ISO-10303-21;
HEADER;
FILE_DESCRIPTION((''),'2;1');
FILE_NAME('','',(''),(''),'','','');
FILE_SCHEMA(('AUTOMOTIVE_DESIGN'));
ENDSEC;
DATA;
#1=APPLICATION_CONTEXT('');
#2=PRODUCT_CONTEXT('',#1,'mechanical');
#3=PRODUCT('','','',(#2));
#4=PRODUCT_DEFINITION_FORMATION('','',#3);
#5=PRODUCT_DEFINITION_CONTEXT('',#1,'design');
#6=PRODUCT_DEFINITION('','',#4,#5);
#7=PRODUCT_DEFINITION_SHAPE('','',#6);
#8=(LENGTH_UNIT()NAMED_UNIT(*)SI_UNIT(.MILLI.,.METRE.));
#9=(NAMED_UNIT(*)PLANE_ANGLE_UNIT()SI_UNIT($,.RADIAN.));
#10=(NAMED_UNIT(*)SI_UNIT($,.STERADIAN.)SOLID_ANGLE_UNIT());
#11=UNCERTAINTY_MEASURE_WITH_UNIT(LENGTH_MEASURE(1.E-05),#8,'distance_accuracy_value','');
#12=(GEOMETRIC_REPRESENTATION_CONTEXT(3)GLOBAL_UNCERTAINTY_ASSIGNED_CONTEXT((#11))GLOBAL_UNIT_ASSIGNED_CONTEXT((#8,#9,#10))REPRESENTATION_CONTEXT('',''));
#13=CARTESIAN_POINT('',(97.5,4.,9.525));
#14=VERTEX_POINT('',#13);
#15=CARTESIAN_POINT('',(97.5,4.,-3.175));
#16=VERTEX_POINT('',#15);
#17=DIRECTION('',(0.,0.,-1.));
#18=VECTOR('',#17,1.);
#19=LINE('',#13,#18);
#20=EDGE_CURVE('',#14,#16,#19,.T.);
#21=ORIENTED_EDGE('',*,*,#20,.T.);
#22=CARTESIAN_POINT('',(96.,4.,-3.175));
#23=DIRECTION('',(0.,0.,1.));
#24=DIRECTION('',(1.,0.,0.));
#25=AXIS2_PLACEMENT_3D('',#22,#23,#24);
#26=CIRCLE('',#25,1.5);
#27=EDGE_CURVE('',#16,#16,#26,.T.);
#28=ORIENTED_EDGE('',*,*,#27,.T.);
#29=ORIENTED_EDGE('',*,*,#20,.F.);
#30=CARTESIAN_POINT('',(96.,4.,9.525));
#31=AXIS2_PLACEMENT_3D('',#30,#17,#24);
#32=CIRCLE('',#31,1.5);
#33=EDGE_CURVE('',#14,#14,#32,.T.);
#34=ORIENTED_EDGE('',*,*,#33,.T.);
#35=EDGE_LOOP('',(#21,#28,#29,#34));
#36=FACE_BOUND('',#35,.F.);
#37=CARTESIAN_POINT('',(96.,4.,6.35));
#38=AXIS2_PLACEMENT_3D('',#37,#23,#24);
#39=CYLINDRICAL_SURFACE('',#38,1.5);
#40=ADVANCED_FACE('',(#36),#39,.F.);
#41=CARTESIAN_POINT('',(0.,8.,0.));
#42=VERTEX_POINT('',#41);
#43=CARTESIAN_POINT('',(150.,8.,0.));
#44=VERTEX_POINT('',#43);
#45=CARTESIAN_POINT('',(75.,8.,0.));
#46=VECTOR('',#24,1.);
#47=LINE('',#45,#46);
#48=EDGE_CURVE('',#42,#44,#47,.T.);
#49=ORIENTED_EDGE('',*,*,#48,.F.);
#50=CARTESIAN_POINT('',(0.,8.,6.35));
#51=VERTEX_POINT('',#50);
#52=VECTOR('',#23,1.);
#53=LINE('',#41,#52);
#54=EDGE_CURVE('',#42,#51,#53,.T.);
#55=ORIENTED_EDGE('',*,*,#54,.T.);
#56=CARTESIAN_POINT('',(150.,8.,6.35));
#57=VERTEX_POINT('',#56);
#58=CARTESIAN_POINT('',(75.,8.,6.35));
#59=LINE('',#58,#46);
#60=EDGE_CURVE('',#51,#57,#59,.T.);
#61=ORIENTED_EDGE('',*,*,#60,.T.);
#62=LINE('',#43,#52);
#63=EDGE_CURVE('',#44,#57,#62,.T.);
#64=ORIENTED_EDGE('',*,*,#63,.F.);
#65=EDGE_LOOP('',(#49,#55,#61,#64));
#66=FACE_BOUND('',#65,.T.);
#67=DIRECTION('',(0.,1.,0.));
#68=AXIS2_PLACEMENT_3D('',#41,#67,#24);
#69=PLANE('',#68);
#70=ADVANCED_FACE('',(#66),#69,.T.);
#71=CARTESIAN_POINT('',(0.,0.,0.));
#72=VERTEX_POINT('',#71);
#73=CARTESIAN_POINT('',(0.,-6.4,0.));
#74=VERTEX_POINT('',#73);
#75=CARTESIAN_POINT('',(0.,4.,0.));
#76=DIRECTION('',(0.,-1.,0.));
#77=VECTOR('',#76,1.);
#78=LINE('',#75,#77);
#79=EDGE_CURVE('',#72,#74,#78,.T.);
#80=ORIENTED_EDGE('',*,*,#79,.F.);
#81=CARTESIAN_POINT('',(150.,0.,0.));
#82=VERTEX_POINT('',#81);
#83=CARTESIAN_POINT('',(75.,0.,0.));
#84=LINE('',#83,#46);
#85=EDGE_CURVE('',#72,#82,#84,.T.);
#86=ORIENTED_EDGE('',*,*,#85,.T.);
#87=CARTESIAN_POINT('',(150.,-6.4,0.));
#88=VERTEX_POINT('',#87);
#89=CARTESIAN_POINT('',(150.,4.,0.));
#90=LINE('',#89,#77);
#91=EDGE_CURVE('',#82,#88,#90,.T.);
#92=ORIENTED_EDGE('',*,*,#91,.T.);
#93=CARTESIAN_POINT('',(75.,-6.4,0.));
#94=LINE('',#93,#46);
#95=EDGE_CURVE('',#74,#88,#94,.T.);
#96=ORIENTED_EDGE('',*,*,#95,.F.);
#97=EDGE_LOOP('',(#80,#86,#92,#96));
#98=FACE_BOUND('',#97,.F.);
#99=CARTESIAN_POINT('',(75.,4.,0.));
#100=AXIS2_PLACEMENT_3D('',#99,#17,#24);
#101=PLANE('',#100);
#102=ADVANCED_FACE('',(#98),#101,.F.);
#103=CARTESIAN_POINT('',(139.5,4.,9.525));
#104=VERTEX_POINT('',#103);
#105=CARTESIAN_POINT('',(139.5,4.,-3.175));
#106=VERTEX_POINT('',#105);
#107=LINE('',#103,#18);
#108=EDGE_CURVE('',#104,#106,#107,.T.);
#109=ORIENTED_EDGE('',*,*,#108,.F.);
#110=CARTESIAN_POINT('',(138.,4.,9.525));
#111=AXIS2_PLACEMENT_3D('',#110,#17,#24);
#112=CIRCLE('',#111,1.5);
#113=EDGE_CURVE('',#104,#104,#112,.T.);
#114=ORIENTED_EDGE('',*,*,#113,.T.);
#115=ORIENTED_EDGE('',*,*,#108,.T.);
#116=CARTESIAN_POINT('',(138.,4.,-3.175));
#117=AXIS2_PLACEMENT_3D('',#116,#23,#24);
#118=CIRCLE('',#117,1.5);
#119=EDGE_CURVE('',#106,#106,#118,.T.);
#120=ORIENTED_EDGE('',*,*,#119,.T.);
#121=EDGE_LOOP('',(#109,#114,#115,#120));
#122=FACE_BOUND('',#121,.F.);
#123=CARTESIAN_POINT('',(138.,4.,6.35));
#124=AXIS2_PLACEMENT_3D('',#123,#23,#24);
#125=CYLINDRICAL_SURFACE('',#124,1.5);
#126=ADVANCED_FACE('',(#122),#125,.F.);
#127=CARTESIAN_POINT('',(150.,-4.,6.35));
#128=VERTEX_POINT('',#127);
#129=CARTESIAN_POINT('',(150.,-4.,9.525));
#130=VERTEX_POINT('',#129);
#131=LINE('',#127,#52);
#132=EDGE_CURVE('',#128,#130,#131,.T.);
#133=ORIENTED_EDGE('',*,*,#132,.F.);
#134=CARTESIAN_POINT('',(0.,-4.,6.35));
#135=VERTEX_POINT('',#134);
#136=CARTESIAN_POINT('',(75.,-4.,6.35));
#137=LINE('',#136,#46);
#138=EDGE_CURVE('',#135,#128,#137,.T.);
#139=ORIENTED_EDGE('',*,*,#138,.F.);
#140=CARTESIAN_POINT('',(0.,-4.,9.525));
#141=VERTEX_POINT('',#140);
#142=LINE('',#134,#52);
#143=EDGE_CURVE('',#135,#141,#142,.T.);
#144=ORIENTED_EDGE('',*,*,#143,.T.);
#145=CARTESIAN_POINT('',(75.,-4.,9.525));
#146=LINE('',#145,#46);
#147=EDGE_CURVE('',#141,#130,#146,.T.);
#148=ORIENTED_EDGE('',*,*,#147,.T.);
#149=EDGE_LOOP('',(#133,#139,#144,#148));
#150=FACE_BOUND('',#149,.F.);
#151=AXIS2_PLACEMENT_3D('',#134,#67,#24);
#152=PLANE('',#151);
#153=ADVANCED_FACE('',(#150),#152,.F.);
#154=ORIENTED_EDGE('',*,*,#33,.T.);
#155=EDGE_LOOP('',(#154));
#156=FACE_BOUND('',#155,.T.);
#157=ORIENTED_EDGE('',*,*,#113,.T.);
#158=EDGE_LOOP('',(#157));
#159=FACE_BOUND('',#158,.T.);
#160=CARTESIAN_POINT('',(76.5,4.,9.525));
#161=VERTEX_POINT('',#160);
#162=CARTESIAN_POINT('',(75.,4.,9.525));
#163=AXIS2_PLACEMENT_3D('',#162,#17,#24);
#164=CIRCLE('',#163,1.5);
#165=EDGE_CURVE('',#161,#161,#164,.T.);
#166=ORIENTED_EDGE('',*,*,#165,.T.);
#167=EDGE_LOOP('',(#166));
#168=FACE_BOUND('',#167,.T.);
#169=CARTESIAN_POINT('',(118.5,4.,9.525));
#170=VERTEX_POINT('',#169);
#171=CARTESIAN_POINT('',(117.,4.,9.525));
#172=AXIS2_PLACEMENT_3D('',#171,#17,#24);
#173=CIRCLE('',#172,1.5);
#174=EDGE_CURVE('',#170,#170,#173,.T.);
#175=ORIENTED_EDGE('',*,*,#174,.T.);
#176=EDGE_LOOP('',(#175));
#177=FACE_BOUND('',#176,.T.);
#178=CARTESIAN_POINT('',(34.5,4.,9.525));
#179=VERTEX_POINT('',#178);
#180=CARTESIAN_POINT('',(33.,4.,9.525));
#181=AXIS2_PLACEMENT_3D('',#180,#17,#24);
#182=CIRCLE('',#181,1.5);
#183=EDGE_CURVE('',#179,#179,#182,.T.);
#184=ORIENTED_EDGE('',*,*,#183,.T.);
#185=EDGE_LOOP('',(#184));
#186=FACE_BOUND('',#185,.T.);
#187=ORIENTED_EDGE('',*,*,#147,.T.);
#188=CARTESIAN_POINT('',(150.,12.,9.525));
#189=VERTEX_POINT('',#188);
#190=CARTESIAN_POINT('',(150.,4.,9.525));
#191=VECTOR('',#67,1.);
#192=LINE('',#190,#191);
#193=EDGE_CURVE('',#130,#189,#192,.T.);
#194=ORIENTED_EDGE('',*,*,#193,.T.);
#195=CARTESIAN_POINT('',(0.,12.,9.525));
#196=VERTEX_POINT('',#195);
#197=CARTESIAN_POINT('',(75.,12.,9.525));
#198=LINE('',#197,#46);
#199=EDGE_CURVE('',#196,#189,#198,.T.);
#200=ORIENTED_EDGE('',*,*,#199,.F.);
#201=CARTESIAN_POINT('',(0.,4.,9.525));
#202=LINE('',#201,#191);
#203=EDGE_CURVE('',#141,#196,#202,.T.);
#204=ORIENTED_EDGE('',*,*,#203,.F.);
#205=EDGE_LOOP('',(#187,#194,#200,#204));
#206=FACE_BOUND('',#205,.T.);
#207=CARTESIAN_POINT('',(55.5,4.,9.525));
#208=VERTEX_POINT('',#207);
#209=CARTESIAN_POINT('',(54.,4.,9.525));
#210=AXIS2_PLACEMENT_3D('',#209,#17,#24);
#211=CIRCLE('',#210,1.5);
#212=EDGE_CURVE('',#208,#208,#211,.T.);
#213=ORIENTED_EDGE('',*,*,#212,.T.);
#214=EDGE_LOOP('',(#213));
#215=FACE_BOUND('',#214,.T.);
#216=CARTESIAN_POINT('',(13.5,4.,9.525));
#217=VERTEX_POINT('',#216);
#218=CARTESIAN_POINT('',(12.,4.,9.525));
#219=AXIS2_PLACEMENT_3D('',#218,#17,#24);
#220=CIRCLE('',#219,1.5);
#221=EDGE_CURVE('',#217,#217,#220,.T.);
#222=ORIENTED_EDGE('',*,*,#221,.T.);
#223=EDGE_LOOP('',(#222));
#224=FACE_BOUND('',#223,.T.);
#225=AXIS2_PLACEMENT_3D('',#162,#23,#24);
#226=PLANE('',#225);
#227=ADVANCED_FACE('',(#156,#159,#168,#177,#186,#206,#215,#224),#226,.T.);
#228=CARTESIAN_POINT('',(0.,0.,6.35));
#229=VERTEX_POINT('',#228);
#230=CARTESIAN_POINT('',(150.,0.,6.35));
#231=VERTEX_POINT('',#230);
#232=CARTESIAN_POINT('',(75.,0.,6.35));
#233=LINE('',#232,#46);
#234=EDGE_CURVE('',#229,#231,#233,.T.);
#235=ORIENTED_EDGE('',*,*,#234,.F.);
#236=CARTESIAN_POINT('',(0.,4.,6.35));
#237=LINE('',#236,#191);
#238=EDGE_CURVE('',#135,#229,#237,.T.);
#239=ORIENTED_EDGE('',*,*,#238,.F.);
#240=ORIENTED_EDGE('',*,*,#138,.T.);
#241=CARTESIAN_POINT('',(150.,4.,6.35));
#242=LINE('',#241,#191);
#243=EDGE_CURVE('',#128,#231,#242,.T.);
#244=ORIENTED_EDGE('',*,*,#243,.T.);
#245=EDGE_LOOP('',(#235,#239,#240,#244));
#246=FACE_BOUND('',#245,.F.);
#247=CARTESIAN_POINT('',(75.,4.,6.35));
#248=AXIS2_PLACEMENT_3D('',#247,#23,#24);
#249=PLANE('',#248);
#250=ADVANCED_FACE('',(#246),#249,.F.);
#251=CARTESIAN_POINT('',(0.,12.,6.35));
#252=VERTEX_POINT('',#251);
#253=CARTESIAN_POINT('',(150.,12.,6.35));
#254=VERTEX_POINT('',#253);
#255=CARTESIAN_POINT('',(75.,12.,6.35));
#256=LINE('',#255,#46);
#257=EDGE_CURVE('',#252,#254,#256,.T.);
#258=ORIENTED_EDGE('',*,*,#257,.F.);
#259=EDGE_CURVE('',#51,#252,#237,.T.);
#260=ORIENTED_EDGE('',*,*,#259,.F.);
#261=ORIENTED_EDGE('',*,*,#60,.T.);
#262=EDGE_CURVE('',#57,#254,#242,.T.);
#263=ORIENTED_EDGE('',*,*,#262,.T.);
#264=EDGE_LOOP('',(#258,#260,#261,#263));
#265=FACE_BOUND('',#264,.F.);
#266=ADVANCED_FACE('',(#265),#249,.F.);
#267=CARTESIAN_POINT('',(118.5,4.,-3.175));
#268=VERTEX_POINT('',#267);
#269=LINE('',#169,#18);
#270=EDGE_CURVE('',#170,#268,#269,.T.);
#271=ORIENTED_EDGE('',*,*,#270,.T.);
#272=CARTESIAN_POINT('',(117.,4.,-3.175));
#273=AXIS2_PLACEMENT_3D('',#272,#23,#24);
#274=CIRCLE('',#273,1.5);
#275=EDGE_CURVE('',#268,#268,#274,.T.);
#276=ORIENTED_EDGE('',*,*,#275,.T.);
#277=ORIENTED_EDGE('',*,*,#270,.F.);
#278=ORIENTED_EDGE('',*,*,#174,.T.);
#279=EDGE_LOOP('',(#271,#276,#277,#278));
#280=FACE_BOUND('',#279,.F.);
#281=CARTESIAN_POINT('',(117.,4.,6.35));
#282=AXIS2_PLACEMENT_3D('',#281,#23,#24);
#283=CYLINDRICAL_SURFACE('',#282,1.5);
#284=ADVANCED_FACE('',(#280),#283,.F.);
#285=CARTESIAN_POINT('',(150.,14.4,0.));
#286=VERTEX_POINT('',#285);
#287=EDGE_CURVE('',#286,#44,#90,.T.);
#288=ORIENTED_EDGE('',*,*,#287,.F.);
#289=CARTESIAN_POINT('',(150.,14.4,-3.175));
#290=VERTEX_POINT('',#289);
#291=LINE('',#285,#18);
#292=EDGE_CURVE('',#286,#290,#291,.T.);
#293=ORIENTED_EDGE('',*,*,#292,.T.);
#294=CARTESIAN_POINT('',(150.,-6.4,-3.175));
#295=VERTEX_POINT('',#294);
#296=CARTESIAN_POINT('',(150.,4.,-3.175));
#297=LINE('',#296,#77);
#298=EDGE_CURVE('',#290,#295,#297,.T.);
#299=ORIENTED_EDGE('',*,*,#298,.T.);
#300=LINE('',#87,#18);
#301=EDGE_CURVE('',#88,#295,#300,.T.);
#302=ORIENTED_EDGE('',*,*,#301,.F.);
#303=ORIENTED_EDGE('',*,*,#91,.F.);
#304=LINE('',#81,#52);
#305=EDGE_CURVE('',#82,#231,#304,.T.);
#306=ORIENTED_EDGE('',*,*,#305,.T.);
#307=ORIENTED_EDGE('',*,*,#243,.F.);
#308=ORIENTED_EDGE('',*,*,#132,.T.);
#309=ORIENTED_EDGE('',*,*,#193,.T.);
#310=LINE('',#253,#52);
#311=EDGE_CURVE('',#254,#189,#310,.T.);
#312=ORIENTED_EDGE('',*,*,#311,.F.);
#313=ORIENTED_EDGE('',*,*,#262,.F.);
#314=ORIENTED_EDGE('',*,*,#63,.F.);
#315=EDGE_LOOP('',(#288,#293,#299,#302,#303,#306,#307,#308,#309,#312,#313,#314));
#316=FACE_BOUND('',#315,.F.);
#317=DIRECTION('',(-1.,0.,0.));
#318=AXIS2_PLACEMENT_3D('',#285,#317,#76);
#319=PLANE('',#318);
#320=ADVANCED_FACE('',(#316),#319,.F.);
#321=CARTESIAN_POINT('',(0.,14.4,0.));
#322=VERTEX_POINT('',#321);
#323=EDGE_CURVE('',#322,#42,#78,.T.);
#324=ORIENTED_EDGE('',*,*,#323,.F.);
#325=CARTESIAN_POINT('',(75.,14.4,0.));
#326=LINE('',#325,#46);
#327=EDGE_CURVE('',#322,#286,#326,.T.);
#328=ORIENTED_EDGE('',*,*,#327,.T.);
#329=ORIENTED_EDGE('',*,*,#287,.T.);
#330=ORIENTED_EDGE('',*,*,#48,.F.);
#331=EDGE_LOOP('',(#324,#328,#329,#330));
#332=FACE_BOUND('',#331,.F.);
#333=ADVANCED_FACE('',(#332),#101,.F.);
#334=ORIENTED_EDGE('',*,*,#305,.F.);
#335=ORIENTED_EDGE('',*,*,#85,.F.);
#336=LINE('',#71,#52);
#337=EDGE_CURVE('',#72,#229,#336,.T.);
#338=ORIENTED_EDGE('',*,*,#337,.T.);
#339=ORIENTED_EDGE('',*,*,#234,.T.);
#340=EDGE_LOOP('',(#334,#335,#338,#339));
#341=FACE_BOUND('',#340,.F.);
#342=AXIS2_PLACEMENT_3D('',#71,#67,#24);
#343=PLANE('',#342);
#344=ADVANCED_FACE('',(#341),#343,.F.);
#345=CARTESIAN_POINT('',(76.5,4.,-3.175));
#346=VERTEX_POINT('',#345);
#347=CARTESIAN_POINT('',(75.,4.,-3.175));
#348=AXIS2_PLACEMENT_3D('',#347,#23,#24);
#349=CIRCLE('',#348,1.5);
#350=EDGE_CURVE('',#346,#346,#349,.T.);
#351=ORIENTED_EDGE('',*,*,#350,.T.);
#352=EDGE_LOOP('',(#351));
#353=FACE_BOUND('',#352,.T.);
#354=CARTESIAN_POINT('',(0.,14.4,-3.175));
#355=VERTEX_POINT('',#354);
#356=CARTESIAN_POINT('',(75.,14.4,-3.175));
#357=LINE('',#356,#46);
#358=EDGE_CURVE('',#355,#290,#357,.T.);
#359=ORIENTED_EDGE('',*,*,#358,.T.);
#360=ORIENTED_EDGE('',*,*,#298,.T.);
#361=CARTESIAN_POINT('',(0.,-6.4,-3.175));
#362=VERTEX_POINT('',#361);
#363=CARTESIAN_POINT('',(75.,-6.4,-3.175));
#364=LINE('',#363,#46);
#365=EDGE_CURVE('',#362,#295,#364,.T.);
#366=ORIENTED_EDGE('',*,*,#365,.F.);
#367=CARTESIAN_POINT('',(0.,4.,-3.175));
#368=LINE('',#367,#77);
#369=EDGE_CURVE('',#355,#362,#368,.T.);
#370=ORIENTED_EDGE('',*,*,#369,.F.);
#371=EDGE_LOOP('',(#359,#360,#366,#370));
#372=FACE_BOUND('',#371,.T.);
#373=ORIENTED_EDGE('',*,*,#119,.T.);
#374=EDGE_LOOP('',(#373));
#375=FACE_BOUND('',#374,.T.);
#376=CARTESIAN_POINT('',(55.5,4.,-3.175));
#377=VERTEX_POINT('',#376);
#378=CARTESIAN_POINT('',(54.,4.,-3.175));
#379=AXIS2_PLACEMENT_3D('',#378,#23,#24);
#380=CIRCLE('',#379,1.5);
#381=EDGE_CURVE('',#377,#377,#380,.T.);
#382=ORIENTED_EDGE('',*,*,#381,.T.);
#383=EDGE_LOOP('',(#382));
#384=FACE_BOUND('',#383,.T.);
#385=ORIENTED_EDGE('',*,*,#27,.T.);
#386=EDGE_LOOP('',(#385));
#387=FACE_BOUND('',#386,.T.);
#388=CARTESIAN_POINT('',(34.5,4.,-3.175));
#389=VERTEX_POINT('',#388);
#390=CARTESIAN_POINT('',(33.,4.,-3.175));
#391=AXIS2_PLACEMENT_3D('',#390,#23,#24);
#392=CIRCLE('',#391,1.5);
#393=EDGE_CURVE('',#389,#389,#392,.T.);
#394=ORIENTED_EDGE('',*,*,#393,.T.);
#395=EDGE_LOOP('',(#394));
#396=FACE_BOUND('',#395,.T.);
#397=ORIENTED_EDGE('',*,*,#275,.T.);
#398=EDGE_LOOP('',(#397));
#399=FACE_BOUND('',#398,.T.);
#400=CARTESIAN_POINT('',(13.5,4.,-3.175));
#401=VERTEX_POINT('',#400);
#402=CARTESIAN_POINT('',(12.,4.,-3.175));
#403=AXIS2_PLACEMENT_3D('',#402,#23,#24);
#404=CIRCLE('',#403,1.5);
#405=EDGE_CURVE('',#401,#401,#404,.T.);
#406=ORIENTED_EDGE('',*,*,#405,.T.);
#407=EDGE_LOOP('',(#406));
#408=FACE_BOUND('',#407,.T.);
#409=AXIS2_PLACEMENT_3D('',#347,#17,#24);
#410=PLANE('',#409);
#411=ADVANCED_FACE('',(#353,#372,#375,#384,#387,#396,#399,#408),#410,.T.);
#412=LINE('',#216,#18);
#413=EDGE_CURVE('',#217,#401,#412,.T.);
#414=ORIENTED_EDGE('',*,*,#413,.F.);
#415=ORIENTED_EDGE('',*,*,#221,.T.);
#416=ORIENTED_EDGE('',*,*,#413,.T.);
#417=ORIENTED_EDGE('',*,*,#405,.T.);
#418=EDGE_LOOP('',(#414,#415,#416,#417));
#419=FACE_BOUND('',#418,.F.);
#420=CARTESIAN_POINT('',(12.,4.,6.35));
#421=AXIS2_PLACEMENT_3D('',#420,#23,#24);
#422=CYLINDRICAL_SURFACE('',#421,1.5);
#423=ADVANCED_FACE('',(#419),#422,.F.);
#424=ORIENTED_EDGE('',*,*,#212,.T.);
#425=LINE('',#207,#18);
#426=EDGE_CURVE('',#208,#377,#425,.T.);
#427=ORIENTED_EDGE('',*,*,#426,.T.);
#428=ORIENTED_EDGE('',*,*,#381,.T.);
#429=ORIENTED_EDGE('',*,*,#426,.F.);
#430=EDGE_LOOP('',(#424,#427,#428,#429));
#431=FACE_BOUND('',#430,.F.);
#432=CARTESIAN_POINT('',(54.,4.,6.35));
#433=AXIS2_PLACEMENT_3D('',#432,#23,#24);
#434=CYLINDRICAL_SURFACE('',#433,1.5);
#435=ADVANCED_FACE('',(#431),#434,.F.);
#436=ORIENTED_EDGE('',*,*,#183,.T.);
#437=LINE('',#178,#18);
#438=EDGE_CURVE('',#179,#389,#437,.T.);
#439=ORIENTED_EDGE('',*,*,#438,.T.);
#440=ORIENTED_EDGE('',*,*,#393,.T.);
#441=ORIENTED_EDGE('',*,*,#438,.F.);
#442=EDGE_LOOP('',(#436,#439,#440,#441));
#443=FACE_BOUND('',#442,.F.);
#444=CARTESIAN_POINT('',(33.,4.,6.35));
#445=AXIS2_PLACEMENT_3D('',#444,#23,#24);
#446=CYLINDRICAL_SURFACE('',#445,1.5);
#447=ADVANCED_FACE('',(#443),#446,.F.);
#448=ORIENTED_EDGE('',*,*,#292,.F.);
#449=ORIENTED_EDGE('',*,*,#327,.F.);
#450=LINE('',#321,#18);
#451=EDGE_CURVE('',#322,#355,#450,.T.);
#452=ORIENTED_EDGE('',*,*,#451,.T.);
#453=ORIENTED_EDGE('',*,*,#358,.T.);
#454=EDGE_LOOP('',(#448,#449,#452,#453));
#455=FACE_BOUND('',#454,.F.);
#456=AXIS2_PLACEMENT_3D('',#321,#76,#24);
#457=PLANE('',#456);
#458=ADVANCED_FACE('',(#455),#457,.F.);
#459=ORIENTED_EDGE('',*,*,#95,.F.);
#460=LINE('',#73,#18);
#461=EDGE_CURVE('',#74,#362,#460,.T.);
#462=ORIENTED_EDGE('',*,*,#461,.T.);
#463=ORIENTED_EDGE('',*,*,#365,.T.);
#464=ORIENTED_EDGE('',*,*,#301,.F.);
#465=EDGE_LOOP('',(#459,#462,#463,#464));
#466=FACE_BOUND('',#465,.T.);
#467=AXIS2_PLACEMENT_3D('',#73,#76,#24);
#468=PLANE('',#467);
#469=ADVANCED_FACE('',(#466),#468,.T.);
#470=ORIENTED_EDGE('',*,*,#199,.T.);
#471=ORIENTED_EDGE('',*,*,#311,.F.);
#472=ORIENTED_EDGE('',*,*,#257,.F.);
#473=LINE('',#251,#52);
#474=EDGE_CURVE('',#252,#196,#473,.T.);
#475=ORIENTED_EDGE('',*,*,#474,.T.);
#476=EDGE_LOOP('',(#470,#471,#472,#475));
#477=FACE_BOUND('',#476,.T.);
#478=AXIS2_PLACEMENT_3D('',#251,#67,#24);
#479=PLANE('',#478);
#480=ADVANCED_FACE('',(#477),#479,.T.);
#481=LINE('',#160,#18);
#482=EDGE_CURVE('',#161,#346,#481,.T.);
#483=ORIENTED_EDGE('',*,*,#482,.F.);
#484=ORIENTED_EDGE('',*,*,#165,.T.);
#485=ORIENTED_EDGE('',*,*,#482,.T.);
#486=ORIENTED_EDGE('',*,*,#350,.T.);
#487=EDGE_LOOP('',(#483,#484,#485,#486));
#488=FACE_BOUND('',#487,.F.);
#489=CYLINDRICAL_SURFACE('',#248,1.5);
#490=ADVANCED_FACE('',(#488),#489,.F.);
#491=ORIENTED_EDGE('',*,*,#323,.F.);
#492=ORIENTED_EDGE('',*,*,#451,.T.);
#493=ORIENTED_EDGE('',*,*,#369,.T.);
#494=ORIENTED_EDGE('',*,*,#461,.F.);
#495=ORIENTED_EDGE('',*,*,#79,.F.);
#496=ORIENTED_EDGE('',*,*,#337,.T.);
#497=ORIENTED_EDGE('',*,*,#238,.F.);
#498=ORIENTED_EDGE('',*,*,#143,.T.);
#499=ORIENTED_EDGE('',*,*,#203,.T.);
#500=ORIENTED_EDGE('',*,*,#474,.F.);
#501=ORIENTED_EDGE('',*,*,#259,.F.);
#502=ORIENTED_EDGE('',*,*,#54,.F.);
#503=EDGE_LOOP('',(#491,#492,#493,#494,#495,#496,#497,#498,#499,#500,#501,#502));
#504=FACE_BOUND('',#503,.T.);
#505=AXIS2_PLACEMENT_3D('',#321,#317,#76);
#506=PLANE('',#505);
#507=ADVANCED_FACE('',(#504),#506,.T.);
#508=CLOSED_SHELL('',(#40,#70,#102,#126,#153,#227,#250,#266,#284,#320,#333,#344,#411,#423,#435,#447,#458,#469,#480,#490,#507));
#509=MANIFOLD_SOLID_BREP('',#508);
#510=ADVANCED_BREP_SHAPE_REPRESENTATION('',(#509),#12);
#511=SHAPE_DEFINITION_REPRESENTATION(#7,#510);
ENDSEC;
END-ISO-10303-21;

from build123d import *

# Parameters (mm, degrees)
F0_W          = 150
F0_H          = 8
F1_DEPTH      = 6.35
F3_W          = 150
F3_H          = 16
F4_DEPTH      = 3.175
F5_W          = 150
F5_H          = 20.8
F6_DEPTH      = 3.175
F2_R          = 1.5
F7_DEPTH      = 25
F7_DEPTH_BACK = 20.1


with BuildPart() as f1:
    # F0 (on Top) → F1 (new body)
    with BuildSketch(Plane.XY):
        with Locations((75, 4)):
            Rectangle(F0_W, F0_H)
    extrude(amount=F1_DEPTH)

    # F3 (on face) → F4 (join)
    with BuildSketch(Plane.XY.offset(6.35)):
        with Locations((75, 4)):
            Rectangle(F3_W, F3_H)
    extrude(amount=F4_DEPTH)

    # F5 (on face) → F6 (join)
    with BuildSketch(Plane(origin=(0, 0, 0), x_dir=(1, 0, 0), z_dir=(0, 0, -1))):
        with Locations((75, -4)):
            Rectangle(F5_W, F5_H)
    extrude(amount=F6_DEPTH)

    # F2 (on face) → F7 (cut, two sides)
    with BuildSketch(Plane.XY.offset(6.35)) as f7_sk:
        with Locations((12, 4)):
            Circle(F2_R)
        with Locations((33, 4)):
            Circle(F2_R)
        with Locations((54, 4)):
            Circle(F2_R)
        with Locations((75, 4)):
            Circle(F2_R)
        with Locations((96, 4)):
            Circle(F2_R)
        with Locations((117, 4)):
            Circle(F2_R)
        with Locations((138, 4)):
            Circle(F2_R)
    extrude(amount=-F7_DEPTH, mode=Mode.SUBTRACT)
    extrude(f7_sk.sketch, amount=F7_DEPTH_BACK, mode=Mode.SUBTRACT)


solid = f1.part
